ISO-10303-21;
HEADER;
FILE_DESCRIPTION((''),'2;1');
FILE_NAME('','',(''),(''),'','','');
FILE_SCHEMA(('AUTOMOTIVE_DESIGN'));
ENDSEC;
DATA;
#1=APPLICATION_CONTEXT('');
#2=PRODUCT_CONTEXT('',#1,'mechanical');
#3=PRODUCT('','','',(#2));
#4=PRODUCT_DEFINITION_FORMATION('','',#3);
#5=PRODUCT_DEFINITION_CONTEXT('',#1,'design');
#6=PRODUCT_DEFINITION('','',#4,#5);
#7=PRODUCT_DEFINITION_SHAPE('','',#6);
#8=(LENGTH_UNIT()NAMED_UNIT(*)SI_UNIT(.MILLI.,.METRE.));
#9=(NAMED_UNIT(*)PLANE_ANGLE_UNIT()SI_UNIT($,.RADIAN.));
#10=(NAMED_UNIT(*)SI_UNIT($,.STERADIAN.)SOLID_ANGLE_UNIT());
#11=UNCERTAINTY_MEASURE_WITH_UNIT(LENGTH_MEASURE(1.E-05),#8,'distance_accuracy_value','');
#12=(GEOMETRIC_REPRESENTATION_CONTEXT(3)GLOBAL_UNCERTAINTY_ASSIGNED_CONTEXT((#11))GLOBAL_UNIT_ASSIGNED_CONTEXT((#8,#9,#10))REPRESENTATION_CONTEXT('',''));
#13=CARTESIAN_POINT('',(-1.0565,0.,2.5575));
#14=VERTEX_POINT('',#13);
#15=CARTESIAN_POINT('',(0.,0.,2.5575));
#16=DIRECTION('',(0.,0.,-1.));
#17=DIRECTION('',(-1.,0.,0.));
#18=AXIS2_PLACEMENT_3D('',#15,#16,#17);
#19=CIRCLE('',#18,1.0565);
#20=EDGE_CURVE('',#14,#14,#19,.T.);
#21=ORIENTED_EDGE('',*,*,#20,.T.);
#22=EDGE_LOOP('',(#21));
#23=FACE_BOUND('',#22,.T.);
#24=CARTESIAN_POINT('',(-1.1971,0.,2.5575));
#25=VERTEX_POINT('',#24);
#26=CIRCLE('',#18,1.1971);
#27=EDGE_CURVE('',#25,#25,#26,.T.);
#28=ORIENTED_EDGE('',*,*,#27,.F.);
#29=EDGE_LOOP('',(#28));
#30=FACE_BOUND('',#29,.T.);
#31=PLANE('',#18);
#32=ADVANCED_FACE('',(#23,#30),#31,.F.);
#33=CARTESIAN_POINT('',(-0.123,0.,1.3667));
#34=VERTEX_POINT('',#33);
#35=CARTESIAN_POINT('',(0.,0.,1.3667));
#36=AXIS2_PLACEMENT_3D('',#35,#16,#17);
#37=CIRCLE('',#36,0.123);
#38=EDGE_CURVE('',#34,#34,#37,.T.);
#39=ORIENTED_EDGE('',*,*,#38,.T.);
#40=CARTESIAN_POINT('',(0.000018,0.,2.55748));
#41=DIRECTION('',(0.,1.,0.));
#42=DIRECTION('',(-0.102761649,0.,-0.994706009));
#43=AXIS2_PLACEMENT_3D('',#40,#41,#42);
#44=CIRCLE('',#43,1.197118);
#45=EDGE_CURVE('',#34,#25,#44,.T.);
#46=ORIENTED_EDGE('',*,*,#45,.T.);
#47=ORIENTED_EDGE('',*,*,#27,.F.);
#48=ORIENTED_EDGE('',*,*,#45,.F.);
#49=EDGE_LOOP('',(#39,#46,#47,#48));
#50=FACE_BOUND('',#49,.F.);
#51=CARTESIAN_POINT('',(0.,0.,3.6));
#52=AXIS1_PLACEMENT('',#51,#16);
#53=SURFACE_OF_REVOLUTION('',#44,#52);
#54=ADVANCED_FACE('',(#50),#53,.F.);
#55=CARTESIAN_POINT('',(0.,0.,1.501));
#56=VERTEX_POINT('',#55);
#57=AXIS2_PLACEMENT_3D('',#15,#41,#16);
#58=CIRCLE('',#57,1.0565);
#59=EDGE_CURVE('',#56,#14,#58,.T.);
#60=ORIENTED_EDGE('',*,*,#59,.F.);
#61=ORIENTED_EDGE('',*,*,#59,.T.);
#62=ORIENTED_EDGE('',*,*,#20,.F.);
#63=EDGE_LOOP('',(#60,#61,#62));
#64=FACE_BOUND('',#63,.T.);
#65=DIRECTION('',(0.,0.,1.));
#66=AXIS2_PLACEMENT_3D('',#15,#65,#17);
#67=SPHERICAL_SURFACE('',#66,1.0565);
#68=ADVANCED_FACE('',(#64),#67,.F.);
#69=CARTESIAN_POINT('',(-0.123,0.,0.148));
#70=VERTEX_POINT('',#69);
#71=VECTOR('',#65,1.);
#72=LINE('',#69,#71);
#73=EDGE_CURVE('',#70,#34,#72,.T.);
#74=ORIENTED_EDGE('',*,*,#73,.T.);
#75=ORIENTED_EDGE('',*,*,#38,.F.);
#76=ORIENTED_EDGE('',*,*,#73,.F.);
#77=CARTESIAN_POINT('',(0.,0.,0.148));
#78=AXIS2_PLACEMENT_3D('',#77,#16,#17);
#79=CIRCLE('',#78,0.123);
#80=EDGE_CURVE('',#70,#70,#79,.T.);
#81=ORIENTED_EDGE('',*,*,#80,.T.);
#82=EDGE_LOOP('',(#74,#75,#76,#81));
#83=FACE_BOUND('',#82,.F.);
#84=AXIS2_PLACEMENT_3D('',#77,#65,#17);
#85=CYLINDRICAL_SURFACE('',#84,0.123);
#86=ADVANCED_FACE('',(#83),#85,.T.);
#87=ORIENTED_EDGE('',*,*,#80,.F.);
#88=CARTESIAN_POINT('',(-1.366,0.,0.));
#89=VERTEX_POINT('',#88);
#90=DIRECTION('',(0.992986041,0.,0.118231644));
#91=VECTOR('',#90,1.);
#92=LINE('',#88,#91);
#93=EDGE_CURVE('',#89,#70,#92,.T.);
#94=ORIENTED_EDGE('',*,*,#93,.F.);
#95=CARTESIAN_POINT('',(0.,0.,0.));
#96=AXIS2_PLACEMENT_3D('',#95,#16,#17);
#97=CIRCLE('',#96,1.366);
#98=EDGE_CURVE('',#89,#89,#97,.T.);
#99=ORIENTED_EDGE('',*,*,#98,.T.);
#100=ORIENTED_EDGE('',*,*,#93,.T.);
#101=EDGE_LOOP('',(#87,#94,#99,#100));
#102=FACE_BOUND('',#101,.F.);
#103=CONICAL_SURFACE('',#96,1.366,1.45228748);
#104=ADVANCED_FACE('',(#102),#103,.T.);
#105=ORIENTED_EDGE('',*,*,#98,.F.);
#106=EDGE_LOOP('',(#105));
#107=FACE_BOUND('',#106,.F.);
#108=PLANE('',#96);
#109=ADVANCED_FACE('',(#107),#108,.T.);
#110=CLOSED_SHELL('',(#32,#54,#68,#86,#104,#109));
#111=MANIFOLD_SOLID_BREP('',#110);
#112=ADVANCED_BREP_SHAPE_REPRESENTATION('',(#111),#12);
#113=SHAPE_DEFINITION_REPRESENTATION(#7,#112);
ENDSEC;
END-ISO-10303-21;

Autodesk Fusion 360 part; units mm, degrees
sketch "Sketch1" plane through (0, 0, 0) normal (0, 1, 0) x (1, 0, 0)
  line L0 (0, 0) -> (0, -1.501)
  line L1 (-1.0565, -2.5575) -> (-1.2045, -2.5575)
  line L2 (0, 0) -> (-1.366, 0)
  line L3 (-1.366, 0) -> (-0.123, -0.148)
  line L4 (-0.123, -0.148) -> (-0.123, -1.3667)
  arc A0 (-0.123, -1.3667) -> (-1.1971, -2.5575) centre (0, -2.5575) ccw
  arc A1 (0, -1.501) -> (-1.0565, -2.5575) centre (0, -2.5575) ccw
  line L5 (0, -3.6) -> (0, 0.7) construction
  dimension "d1" = 1.501
  dimension "d2" = 2.113
  dimension "d3" = 0.148
  dimension "d4" = 1.366
  dimension "d5" = 0.123
  dimension "d6" = 0.148
revolve "Revolve1" add sketch "Sketch1" angle 360 about axis through (0, 0, 3.6) along (0, 0, -1)
